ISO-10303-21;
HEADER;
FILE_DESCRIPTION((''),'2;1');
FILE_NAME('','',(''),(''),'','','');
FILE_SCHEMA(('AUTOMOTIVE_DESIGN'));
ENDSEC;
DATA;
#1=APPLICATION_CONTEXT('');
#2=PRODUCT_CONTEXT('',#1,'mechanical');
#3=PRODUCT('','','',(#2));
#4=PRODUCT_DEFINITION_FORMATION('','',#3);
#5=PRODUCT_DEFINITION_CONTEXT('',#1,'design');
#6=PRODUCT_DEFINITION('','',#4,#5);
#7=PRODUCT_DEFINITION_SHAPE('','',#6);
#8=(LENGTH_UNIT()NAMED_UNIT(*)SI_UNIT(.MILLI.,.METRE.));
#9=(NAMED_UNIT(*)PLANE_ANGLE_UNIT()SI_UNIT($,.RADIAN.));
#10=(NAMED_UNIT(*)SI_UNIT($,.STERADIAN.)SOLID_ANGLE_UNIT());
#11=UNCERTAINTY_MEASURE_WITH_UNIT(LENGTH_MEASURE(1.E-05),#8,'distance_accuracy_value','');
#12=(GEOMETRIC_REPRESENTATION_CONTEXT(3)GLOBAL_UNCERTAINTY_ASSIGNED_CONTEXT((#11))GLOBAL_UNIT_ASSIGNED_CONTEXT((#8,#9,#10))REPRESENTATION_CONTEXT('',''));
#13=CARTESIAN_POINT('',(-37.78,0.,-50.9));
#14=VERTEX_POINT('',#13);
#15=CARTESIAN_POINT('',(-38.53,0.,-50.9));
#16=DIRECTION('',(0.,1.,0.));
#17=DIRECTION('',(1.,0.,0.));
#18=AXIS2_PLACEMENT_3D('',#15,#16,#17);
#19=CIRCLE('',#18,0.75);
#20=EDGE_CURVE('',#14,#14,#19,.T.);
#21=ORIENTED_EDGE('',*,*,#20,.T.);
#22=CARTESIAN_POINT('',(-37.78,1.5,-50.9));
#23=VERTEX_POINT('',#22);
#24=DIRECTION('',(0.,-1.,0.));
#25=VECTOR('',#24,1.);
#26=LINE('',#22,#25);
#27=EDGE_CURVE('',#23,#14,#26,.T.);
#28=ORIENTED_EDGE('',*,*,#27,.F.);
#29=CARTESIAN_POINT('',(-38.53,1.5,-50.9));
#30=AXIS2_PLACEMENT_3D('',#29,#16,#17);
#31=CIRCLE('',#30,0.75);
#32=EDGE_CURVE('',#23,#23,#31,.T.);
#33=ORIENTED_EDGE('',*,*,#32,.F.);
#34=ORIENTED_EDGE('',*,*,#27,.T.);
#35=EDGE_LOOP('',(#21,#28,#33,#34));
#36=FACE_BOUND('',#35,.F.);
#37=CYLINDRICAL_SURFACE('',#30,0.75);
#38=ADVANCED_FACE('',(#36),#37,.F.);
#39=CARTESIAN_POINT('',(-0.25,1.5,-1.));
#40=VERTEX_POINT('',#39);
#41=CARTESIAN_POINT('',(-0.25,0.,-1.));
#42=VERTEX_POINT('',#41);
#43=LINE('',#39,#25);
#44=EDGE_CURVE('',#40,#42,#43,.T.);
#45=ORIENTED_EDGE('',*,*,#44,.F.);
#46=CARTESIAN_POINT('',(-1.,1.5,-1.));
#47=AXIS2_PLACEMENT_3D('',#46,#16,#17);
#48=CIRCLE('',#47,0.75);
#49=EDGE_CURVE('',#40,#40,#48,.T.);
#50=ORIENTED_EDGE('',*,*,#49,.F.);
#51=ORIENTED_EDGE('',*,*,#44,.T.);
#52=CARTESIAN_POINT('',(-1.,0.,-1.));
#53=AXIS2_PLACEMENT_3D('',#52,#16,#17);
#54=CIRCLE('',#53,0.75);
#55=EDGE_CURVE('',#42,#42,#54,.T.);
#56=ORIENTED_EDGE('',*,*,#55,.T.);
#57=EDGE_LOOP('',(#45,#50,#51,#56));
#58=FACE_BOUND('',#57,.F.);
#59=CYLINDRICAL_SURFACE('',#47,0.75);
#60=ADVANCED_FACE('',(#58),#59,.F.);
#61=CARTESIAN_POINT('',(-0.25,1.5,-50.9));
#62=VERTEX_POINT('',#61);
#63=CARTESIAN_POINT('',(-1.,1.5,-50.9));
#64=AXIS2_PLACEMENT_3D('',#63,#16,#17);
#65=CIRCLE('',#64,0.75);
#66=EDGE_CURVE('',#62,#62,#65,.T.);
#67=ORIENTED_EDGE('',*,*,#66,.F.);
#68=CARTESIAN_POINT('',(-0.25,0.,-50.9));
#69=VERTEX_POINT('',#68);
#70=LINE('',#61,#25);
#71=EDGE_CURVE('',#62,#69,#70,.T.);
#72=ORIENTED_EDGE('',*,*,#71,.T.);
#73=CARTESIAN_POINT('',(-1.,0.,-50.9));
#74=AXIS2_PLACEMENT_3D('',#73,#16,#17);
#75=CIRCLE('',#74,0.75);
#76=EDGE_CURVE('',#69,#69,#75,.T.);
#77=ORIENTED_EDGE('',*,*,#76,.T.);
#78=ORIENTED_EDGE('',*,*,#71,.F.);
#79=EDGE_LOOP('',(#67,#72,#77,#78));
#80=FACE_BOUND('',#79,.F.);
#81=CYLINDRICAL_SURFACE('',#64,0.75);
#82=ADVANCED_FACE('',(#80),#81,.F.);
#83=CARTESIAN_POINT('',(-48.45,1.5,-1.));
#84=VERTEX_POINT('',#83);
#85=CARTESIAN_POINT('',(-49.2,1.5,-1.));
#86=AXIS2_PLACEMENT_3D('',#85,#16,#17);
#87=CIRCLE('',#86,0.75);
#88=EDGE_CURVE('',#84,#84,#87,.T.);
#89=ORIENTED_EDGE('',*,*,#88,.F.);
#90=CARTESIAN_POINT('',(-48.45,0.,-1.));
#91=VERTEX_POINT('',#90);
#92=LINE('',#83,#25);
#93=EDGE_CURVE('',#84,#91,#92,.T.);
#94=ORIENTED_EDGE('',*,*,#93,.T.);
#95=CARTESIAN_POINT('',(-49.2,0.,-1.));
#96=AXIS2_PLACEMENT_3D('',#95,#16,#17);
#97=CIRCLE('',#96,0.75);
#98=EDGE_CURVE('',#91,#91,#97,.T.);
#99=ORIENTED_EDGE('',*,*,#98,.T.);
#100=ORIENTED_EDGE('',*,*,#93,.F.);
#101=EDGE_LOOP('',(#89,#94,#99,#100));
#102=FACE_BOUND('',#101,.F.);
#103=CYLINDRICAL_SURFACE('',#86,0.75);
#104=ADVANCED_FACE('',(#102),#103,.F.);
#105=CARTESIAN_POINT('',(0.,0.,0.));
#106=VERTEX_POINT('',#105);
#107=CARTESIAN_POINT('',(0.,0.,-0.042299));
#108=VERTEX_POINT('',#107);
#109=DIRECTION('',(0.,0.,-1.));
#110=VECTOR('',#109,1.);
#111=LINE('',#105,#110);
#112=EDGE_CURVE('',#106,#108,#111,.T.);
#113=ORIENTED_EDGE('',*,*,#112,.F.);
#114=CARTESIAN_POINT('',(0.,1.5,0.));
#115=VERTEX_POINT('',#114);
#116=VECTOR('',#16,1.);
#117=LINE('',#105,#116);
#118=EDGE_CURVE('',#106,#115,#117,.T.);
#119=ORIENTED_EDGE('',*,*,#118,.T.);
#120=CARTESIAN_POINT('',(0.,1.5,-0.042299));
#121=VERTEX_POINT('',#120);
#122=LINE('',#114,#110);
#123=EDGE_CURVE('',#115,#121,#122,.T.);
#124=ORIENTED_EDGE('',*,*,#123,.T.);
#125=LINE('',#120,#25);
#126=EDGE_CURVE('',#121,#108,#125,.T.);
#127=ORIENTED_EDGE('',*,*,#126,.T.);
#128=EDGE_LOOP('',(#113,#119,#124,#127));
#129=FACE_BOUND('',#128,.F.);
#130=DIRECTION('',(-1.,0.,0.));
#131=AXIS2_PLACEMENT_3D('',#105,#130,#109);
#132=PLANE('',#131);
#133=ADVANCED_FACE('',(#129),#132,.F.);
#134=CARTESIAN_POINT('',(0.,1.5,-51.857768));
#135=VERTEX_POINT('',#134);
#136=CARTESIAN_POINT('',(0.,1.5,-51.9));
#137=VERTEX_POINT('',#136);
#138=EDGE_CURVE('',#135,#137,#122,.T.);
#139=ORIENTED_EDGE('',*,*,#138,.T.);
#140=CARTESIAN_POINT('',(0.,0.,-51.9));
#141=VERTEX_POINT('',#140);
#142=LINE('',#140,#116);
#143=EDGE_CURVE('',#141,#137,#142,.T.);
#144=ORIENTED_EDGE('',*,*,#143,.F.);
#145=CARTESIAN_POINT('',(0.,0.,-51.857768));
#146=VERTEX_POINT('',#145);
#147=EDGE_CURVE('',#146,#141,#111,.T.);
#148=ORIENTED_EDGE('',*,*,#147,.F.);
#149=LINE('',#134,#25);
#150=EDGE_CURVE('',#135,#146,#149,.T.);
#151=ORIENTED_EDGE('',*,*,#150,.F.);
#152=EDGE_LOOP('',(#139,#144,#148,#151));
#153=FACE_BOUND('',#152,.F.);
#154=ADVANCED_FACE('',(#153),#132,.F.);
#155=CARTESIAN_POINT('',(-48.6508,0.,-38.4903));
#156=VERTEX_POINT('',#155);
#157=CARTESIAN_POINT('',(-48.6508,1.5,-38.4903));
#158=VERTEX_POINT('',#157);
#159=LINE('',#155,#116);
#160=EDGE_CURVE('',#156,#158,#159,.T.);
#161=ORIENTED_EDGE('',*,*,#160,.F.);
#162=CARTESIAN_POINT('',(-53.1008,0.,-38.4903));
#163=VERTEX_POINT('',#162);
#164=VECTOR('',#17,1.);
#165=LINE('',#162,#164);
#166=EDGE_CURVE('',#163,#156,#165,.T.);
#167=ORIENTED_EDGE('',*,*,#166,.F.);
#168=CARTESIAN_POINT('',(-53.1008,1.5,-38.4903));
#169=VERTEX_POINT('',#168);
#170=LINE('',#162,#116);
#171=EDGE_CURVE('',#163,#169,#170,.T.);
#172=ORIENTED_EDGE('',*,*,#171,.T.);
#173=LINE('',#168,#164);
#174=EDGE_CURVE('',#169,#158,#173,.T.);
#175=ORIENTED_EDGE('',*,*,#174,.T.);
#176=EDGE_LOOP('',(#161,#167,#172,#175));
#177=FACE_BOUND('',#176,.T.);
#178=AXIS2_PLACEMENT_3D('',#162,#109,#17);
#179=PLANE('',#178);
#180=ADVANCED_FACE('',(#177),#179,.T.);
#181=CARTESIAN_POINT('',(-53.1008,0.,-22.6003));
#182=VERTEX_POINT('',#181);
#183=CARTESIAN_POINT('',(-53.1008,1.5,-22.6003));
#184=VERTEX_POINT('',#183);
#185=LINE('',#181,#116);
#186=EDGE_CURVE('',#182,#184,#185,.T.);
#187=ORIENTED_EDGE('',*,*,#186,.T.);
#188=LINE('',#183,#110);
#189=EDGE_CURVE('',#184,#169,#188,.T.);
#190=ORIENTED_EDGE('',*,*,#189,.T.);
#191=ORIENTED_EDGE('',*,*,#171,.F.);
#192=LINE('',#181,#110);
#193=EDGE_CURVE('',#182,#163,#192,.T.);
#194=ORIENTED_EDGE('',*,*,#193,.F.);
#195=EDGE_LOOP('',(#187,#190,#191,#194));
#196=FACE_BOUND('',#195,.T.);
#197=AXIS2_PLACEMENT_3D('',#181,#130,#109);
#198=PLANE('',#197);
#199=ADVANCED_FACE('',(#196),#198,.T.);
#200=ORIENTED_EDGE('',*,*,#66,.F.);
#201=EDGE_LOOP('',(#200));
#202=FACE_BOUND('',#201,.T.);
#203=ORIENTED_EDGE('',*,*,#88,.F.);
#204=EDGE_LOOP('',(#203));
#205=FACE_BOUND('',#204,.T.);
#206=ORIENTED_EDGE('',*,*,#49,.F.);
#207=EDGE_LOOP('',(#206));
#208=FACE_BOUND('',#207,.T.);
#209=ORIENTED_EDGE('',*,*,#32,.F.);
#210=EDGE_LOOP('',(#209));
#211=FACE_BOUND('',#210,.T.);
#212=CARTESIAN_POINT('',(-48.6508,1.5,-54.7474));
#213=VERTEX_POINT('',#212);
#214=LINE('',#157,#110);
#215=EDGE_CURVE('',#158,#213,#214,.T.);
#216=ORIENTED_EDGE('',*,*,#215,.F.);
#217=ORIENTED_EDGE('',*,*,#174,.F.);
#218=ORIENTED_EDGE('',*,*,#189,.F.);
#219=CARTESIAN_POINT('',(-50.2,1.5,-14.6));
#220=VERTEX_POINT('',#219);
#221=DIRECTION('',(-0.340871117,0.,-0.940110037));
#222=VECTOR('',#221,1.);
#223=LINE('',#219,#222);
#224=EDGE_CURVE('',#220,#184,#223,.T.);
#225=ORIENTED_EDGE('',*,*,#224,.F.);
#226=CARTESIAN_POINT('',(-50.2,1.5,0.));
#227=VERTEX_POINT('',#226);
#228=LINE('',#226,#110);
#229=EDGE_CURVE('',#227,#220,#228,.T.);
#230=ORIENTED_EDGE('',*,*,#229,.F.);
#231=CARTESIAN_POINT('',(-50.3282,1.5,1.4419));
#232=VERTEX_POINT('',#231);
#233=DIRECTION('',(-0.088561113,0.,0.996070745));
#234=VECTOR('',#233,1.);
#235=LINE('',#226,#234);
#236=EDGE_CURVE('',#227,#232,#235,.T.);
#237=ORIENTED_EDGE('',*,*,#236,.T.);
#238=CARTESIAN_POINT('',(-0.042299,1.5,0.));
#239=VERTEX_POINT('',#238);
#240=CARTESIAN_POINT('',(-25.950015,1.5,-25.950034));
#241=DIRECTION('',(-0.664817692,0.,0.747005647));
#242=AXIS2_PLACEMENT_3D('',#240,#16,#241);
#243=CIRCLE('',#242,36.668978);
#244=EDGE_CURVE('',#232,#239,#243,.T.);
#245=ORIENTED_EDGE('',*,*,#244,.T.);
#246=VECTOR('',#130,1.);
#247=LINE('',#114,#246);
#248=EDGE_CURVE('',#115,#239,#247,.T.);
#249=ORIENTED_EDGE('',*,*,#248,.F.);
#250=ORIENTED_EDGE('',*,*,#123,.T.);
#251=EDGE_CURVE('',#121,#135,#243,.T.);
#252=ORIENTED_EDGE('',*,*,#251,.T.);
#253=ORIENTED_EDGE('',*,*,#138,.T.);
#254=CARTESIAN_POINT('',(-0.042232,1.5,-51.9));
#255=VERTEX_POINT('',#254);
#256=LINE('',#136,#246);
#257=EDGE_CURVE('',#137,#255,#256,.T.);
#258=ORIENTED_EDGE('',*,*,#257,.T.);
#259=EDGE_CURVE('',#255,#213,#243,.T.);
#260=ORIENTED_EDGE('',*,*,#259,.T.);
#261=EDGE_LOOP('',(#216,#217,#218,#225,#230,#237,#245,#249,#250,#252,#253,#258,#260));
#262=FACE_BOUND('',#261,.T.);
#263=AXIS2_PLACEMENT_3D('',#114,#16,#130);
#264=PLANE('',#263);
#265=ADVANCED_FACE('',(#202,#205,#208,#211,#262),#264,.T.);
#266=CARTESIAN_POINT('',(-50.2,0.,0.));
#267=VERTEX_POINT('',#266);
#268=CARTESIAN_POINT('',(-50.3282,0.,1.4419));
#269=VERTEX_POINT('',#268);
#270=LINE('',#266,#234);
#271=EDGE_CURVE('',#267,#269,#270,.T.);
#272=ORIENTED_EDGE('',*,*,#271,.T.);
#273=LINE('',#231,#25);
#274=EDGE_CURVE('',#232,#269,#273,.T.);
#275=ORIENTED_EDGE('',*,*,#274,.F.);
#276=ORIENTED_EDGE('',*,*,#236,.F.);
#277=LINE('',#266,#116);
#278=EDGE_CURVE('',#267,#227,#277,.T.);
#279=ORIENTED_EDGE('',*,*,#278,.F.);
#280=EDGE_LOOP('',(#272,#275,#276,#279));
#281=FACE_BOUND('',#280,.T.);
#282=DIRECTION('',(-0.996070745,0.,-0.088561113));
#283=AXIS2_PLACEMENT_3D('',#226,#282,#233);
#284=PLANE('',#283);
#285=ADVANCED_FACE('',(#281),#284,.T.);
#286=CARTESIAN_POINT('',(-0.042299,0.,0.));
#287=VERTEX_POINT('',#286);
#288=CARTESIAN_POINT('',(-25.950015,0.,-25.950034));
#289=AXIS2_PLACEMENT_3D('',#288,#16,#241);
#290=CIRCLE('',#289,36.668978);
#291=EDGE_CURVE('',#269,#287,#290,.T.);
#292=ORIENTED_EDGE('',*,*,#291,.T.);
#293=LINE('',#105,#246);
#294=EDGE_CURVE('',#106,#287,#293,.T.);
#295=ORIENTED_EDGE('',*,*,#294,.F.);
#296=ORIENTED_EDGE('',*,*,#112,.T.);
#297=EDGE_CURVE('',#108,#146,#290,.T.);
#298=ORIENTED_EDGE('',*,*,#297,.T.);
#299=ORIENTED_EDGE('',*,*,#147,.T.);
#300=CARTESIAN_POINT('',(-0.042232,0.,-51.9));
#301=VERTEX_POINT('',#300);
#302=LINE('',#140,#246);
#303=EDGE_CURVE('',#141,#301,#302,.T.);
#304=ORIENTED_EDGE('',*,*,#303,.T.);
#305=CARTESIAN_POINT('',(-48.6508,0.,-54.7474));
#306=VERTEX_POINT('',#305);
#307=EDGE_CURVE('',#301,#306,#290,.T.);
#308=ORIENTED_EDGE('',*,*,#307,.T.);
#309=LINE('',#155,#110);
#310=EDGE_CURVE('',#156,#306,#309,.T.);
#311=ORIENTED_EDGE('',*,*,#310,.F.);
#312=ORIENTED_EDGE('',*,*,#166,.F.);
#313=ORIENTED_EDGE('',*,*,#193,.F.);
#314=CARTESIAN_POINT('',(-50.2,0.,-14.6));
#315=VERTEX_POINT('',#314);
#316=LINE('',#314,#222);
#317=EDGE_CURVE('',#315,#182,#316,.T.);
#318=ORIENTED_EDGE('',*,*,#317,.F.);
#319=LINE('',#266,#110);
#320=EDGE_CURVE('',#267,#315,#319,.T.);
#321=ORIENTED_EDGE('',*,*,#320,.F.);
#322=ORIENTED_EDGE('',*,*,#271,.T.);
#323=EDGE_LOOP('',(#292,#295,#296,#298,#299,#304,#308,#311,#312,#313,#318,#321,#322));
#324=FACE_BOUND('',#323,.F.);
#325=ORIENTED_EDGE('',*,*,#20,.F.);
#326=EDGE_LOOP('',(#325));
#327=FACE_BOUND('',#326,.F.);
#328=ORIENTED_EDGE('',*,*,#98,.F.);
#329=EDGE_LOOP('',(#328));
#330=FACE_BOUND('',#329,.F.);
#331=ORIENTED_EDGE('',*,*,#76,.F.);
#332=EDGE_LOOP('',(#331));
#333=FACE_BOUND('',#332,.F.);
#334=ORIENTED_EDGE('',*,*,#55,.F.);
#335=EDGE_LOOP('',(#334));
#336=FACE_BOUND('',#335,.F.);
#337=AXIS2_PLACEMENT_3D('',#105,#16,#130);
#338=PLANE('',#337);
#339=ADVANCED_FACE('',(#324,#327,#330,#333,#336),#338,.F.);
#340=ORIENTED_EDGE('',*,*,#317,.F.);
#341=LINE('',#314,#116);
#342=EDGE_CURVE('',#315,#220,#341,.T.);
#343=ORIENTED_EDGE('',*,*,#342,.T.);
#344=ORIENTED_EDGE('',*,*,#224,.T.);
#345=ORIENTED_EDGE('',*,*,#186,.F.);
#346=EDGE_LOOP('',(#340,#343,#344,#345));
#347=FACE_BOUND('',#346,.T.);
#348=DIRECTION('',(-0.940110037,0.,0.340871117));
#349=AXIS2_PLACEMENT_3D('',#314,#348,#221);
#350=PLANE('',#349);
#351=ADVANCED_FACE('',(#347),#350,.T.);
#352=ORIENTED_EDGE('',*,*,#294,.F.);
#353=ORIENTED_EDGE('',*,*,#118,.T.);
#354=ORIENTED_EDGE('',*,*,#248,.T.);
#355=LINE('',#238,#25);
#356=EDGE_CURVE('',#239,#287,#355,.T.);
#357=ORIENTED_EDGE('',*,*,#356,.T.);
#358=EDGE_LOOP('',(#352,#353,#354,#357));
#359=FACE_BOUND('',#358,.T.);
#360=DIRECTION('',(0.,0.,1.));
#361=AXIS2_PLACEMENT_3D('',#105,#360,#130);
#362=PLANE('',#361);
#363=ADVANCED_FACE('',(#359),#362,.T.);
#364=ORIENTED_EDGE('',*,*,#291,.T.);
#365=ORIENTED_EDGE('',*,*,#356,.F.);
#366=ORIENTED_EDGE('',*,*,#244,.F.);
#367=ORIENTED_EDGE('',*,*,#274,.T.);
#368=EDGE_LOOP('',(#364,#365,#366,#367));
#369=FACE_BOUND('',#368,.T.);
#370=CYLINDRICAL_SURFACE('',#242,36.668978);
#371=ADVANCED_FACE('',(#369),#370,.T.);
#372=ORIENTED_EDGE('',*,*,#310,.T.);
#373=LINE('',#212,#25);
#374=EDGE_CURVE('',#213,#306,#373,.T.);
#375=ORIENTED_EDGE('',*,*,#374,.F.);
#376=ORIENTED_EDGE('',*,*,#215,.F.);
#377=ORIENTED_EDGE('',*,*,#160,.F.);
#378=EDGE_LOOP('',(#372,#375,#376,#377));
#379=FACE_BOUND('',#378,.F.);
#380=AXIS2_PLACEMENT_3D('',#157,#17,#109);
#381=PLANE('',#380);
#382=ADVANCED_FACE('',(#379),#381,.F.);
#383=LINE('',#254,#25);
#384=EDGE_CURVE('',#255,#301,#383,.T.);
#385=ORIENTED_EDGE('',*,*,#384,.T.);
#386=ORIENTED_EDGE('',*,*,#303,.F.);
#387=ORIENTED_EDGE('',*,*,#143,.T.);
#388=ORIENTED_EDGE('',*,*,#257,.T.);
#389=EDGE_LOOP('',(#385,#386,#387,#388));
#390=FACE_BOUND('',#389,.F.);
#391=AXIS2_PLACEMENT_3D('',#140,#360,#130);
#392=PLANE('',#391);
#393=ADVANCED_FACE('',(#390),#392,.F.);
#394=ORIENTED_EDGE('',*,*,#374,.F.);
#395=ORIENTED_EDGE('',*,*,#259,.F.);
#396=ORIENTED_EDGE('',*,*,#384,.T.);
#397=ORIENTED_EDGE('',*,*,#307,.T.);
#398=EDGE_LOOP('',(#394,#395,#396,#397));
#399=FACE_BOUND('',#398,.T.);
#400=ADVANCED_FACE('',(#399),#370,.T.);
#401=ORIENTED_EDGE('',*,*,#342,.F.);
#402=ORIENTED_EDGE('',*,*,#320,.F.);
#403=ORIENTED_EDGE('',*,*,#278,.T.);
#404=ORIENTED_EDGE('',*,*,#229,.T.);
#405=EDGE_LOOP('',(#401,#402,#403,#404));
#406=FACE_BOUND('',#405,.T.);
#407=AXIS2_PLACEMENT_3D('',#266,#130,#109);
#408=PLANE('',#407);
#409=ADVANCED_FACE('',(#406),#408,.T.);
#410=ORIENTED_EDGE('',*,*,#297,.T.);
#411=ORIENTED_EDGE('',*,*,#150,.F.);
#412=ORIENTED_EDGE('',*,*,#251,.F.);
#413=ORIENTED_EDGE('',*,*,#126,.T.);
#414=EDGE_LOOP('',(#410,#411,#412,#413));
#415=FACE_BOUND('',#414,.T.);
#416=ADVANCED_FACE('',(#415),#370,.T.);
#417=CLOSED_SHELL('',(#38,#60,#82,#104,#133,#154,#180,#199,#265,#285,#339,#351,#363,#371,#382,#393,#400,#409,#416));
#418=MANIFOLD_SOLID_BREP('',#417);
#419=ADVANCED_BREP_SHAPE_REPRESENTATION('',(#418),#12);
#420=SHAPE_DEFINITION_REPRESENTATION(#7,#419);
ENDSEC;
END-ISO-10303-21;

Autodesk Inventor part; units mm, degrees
ref_plane "YZ Plane" through (0, 0, 0) normal (1, 0, 0) x (0, 1, 0)
ref_plane "XZ Plane" through (0, 0, 0) normal (0, 1, 0) x (-1, 0, 0)
ref_plane "XY Plane" through (0, 0, 0) normal (0, 0, 1) x (1, 0, 0)
sketch "Sketch1" plane through (0, 0, 0) normal (0, 1, 0) x (-1, 0, 0)
  line L0 (0, 0) -> (0, -51.9)
  line L1 (0, -51.9) -> (39.53, -51.9)
  line L2 (0, 0) -> (53.1, 0)
  line L3 (0, 0) -> (50.2, 0)
  line L4 (50.2, 0) -> (50.2, -14.6)
  line L5 (50.2, 0) -> (64.8, 0) construction
  line L6 (50.2, -14.6) -> (53.1008, -22.6003)
  line L7 (50.2, -14.6) -> (58.71, -14.6) construction
  line L8 (53.1008, -22.6003) -> (53.1008, -38.4903)
  line L9 (53.1008, -38.4903) -> (48.6508, -38.4903)
  line L10 (48.6508, -38.4903) -> (39.53, -51.9)
  dimension "d0" = 51.9
  dimension "d1" = 39.53
  dimension "d9" = 50.2
  dimension "d10" = 14.6
  dimension "d11" = 90
  dimension "d12" = 8.51
  dimension "d13" = 70.07
  dimension "d14" = 15.89
  dimension "d17" = 4.45
extrude "Extrusion1" add sketch "Sketch1" along normal blind 1.5
sketch "Sketch2" plane through (0, 1.5, 0) normal (0, 1, 0) x (1, 0, 0)
  circle A0 centre (-1, 1) radius 0.75
  point P0 (0, 0)
  dimension "d22" = 1.5
extrude "Extrusion2" cut sketch "Sketch2" against normal blind 10
sketch "Sketch3" plane through (0, 1.5, 0) normal (0, 1, 0) x (1, 0, 0)
  line L0 (0, 0) -> (0, 51.9) projected
  line L1 (0, 51.9) -> (-39.53, 51.9) projected
  circle A0 centre (-1, 50.9) radius 0.75
  dimension "d27" = 1.5
extrude "Extrusion3" cut sketch "Sketch3" against normal blind 10
sketch "Sketch4" plane through (0, 1.5, 0) normal (0, 1, 0) x (1, 0, 0)
  circle A0 centre (-49.2, 1) radius 0.75
  line L0 (-39.53, 51.9) -> (-48.6508, 38.4903) projected
  circle A1 centre (-38.53, 50.9) radius 0.75
  point P0 (0, 0)
  point P1 (-50.2, 0)
  dimension "d32" = 1.5
  dimension "d35" = 1.5
extrude "Extrusion4" cut sketch "Sketch4" against normal blind 10
sketch "Sketch5" plane through (0, 1.5, 0) normal (0, 1, 0) x (1, 0, 0)
  line L0 (0, 0) -> (0, 51.9) projected
  line L1 (0, 25.95) -> (-25.95, 25.95)
  arc A0 (-50.3282, -1.4419) -> (-48.6508, 54.7474) centre (-25.95, 25.95) ccw
  line L2 (-39.53, 51.9) -> (-48.6508, 38.4903) projected
  line L3 (-48.6508, 38.4903) -> (-48.6508, 54.7474)
  line L4 (-39.53, 51.9) -> (0, 51.9)
  line L5 (0, 0) -> (0, 51.9)
  line L6 (-50.2, 0) -> (0, 0) projected
  line L7 (0, 0) -> (-50.2, 0)
  line L8 (-50.2, 0) -> (-50.3282, -1.4419)
  point P0 (-0.0422, 51.9)
  point P1 (0, 0.0422)
  point P2 (0, 51.8578)
  point P3 (-0.0422, 0)
  dimension "d38" = 25.95
  dimension "d39" = 36.669
extrude "Extrusion5" add sketch "Sketch5" against normal blind 1.5 contours A0 L8 L6 | L4 L2 L3 A0 | L0 A0
properties part number "CaseCover"
